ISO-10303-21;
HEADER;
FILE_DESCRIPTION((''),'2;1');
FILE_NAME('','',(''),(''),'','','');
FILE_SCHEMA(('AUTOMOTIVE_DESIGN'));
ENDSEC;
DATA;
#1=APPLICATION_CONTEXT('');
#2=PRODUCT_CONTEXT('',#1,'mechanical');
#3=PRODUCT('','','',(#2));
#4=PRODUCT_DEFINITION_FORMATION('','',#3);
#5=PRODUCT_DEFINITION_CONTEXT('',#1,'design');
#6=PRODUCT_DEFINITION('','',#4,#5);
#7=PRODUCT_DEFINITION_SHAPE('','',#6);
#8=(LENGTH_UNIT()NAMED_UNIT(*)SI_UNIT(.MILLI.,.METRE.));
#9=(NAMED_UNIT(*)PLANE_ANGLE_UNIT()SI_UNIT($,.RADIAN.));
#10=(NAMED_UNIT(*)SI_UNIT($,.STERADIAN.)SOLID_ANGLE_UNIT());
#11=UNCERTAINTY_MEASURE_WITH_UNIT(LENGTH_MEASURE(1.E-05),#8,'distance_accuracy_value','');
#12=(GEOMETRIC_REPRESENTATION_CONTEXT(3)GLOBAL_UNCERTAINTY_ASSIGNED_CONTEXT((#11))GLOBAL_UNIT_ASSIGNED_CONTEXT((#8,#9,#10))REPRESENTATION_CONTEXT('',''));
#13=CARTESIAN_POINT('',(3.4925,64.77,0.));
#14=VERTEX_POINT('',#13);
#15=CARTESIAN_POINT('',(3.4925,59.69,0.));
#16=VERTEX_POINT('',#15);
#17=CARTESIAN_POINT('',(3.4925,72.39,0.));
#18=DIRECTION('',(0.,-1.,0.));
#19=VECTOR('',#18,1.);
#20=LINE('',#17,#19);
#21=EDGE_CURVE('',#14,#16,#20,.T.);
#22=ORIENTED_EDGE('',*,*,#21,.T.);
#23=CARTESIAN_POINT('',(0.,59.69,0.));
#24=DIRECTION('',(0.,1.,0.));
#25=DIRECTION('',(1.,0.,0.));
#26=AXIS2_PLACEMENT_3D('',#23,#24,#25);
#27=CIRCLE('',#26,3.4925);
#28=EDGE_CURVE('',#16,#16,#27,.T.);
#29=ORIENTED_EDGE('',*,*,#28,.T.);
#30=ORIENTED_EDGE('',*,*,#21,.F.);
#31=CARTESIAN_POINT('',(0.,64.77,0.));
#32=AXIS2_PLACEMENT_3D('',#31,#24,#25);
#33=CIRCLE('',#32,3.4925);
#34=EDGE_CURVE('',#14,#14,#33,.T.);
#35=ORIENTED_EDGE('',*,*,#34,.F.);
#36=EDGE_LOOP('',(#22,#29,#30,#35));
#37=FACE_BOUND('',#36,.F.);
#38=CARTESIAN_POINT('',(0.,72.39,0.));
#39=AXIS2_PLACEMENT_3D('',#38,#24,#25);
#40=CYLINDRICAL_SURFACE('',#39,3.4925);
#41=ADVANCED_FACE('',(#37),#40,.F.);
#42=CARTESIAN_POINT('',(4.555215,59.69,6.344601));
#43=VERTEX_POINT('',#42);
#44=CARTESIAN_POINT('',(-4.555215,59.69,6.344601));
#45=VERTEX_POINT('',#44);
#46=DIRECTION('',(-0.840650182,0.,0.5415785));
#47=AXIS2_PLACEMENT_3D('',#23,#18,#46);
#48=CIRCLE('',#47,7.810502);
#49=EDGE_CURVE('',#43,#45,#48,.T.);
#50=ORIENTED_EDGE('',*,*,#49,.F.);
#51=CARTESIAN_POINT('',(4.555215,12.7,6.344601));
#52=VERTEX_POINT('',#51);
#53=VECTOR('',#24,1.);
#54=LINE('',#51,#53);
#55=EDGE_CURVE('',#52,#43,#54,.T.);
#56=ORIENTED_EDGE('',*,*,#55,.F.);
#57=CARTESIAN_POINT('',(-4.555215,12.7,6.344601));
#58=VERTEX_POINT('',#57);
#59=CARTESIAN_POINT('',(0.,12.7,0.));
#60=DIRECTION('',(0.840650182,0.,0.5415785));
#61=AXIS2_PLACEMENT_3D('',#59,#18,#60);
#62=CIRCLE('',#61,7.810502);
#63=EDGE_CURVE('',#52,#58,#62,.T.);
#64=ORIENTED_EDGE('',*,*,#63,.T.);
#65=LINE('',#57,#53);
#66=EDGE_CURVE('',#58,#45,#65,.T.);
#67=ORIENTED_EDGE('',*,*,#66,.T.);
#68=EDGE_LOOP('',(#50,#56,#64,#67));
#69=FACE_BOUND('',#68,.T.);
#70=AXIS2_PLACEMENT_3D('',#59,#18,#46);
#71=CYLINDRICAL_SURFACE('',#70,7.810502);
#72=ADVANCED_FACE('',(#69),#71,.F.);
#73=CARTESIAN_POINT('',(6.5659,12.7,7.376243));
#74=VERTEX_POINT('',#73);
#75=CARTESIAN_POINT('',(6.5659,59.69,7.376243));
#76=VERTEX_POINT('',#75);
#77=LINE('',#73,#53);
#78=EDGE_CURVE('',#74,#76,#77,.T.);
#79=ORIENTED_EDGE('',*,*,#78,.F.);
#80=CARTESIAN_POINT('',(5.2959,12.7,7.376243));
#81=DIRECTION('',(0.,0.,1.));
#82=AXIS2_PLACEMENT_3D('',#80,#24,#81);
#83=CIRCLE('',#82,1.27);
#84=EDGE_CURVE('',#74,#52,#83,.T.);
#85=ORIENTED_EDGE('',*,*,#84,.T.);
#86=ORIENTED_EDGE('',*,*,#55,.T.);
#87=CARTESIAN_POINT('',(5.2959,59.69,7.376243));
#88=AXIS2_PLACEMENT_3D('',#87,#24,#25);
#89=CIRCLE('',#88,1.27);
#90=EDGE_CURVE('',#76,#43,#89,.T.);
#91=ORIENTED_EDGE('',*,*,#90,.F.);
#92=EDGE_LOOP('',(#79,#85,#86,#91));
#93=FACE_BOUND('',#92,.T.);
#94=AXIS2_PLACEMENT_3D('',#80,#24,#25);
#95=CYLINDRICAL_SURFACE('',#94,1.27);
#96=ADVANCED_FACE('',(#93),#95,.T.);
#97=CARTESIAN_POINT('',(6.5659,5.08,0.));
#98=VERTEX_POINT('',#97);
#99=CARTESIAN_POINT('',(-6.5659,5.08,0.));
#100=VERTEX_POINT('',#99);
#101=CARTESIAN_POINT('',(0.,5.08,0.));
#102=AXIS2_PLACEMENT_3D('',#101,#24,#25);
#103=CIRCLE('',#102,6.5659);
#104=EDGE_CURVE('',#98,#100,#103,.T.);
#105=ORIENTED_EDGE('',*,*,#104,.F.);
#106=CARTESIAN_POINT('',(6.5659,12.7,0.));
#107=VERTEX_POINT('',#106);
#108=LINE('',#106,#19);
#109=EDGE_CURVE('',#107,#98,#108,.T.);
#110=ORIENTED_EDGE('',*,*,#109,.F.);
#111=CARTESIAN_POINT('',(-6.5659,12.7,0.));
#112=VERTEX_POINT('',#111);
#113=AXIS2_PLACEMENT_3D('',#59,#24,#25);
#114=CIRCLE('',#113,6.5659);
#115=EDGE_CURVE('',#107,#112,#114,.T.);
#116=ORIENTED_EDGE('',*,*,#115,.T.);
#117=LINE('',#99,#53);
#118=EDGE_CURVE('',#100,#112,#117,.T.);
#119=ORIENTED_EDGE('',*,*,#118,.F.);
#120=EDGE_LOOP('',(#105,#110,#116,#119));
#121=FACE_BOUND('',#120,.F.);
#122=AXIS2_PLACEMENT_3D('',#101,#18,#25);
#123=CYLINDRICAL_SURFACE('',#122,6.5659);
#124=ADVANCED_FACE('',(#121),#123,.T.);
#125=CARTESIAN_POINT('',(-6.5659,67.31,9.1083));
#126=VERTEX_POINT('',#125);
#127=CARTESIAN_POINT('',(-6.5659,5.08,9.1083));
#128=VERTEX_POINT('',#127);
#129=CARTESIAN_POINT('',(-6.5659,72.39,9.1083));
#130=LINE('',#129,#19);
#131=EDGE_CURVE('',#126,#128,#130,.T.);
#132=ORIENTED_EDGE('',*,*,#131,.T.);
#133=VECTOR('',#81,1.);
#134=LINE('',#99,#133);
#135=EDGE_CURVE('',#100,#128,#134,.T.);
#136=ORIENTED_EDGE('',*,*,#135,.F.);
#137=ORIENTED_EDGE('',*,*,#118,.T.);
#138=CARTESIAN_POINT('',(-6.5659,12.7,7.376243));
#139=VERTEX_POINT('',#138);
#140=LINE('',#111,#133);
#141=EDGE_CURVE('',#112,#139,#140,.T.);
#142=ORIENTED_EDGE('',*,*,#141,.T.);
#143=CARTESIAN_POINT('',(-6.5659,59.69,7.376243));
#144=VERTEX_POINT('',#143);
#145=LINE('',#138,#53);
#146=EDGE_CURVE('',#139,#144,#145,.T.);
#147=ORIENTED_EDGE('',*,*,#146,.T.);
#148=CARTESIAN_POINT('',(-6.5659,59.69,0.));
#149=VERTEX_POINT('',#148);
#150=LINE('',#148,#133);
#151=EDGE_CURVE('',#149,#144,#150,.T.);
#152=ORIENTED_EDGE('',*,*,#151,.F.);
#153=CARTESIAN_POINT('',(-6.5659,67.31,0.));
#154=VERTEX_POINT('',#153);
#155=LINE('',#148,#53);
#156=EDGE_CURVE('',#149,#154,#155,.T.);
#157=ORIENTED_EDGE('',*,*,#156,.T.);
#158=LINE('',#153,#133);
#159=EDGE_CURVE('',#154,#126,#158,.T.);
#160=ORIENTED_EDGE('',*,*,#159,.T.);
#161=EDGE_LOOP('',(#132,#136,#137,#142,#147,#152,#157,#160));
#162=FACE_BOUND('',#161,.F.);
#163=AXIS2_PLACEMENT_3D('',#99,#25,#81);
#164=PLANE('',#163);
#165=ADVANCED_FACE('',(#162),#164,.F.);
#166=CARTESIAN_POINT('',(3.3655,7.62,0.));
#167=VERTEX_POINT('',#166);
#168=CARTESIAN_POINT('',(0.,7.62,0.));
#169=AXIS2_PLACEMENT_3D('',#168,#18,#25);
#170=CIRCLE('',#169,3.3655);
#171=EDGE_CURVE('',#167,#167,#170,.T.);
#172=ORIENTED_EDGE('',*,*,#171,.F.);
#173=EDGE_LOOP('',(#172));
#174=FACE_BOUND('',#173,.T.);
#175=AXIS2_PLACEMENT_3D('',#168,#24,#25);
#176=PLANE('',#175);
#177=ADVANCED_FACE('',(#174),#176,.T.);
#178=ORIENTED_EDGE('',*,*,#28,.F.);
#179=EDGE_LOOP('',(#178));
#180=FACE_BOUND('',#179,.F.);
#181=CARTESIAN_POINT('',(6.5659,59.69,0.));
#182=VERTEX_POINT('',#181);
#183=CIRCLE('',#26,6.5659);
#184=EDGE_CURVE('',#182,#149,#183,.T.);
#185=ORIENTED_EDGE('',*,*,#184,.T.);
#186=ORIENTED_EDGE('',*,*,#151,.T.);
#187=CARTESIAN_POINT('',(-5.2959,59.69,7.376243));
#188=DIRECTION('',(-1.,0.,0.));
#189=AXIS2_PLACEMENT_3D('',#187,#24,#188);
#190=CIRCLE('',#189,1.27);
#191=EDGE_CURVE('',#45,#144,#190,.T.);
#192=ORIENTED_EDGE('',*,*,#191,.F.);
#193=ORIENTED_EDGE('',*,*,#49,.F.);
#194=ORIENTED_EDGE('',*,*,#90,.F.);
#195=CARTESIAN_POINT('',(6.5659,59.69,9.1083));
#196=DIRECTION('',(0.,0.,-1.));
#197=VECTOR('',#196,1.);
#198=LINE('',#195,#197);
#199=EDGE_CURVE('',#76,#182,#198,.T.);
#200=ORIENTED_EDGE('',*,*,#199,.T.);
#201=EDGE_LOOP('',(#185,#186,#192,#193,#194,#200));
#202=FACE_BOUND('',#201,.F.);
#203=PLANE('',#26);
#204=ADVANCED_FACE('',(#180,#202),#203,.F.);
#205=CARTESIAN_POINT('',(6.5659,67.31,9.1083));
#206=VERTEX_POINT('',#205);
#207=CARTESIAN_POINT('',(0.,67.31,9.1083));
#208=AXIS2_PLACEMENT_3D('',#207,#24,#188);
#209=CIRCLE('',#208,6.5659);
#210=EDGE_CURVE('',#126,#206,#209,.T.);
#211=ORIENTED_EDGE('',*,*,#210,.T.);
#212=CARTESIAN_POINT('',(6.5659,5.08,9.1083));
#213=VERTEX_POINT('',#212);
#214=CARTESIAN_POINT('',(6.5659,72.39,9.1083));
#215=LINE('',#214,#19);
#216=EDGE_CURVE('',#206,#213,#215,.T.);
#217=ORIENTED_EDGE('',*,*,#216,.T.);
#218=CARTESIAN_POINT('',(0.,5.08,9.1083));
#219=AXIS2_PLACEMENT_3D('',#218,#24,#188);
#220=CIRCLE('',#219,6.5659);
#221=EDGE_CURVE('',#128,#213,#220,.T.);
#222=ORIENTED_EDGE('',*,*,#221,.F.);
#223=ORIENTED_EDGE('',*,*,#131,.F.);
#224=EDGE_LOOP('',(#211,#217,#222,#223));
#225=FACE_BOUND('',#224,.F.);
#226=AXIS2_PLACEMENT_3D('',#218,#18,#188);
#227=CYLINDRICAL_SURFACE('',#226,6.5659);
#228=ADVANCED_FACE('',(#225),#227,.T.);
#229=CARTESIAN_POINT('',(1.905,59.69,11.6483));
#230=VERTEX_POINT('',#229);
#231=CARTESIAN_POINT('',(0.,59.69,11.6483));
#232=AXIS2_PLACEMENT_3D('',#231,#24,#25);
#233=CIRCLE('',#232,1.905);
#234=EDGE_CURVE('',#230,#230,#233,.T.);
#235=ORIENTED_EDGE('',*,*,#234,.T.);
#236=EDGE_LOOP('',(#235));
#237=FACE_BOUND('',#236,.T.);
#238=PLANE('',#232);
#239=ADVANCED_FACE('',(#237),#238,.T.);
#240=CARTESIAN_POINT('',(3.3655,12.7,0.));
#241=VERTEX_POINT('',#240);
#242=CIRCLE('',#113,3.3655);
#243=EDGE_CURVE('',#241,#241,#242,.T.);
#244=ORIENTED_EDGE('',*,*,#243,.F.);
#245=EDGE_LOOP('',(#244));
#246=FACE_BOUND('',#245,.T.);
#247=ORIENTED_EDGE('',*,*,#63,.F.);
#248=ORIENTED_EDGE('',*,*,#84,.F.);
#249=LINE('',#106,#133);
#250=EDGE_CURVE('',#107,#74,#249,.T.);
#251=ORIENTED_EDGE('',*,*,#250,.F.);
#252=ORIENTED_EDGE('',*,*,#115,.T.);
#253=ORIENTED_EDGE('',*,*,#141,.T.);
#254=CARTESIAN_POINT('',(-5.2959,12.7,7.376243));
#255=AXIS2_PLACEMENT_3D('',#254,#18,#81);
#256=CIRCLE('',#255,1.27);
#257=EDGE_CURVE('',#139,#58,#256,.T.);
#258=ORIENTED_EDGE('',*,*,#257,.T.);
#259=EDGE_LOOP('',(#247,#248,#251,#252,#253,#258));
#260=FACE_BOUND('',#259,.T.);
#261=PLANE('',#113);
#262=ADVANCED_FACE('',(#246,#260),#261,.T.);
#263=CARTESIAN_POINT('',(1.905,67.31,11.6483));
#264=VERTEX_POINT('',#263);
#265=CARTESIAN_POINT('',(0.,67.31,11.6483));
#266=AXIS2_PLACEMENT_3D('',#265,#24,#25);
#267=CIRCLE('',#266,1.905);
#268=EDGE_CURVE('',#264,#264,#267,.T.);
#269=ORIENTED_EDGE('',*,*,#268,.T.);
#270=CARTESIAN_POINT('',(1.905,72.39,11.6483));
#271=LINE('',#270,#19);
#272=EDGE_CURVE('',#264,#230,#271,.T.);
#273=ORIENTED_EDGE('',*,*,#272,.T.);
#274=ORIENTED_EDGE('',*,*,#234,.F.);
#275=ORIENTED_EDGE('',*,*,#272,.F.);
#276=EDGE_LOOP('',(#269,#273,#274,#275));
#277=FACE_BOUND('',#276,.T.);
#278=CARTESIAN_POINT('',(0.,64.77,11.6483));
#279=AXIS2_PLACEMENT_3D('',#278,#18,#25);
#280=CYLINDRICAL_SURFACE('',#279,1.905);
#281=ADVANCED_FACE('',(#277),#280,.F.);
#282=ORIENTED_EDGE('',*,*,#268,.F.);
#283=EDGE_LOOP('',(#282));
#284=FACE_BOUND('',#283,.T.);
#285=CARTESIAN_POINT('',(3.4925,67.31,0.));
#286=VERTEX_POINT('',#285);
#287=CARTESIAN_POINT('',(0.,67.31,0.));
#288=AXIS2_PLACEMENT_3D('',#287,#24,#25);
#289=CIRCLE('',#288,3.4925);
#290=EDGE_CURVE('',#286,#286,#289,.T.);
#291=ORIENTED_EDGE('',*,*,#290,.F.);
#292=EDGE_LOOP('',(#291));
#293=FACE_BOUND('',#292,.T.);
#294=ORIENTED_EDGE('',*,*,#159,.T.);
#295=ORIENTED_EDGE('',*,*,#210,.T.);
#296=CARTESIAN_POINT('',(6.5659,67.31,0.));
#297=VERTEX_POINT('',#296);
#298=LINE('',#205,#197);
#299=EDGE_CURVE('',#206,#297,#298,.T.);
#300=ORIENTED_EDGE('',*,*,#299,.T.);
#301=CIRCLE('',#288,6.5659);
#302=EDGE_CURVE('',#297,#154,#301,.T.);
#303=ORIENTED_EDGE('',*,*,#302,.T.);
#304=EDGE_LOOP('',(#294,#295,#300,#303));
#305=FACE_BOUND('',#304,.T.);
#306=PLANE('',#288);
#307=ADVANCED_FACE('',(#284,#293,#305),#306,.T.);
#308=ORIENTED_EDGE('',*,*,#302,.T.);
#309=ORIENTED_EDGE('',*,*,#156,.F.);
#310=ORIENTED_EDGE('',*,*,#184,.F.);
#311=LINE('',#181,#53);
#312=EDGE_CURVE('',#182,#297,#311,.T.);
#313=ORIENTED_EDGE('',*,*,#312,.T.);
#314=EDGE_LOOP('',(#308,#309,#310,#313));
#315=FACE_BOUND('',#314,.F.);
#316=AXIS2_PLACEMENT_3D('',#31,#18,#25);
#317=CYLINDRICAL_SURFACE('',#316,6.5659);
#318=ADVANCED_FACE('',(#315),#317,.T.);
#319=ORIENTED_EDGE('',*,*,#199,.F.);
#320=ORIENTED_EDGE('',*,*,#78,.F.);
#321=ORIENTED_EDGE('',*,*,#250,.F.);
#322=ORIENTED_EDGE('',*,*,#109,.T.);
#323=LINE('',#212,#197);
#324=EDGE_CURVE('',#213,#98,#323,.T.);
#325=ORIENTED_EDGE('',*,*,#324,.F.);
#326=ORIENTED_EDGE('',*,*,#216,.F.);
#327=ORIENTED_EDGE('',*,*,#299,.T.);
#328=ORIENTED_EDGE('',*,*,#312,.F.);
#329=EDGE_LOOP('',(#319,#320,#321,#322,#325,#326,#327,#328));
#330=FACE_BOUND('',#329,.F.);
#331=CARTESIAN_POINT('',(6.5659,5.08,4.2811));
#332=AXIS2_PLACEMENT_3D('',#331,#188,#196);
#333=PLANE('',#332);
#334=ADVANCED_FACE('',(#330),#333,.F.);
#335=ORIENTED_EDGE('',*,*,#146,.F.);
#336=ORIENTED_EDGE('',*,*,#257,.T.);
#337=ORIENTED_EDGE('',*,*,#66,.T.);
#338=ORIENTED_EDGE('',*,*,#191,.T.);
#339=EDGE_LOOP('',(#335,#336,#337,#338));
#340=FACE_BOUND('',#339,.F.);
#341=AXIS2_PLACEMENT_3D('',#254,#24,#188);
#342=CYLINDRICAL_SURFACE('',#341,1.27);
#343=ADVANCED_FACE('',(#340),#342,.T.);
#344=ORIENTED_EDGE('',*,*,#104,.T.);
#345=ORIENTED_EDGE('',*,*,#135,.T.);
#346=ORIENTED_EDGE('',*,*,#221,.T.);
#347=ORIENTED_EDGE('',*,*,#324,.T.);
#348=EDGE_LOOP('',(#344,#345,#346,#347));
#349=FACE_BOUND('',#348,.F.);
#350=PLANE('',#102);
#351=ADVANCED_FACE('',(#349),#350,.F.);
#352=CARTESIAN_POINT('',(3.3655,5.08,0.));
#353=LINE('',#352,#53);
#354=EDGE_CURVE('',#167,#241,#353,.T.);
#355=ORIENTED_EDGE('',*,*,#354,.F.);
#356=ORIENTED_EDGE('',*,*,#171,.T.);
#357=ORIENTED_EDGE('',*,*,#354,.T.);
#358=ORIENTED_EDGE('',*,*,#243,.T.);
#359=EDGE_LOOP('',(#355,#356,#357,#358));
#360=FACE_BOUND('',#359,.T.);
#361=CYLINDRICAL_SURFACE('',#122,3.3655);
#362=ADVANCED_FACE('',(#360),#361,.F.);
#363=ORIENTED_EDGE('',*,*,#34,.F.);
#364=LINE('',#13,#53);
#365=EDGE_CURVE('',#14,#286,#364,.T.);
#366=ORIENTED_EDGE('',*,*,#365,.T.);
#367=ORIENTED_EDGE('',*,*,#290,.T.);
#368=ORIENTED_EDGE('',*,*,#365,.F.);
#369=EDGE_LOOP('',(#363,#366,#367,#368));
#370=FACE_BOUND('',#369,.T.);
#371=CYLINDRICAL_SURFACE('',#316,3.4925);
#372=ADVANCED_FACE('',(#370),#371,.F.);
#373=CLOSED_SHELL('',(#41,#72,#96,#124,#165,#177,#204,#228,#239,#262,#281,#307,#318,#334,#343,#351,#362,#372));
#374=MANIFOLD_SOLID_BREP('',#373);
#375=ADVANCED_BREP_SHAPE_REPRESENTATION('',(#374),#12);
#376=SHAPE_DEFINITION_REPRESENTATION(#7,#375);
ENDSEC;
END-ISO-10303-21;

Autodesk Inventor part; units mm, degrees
ref_plane "YZ Plane" through (0, 0, 0) normal (1, 0, 0) x (0, 1, 0)
ref_plane "XZ Plane" through (0, 0, 0) normal (0, 1, 0) x (-1, 0, 0)
ref_plane "Work Plane7" through (0, 5.08, 0) normal (0, 1, 0) x (1, 0, 0)
sketch "Sketch3" plane through (0, 5.08, 0) normal (0, 1, 0) x (1, 0, 0)
  circle A0 centre (0, 0) radius 6.5659 projected
  circle A1 centre (0, 0) radius 3.3655 projected
  line L0 (-6.5659, 0) -> (-6.5659, -6.5683)
  line L1 (-6.5659, -6.5683) -> (6.5659, -6.5683)
  line L2 (6.5659, -6.5683) -> (6.5659, 0)
  line L3 (0, -6.5683) -> (0, -9.1083)
  line L4 (0, 0) -> (0, -9.1083) construction
  line L5 (6.5659, 0) -> (6.5659, -9.1083)
  line L6 (-6.5659, -9.1083) -> (-6.5659, 0)
  arc A2 (6.5659, 0) -> (-6.5659, 0) centre (0, 0) ccw
  arc A3 (-6.5659, -9.1083) -> (6.5659, -9.1083) centre (0, -9.1083) ccw
  line L7 (0, -6.5683) -> (0, -7.8383)
  arc A4 (-6.5659, -4.2811) -> (6.5659, -4.2811) centre (0, 0) ccw
  point P0 (0, -4.5541)
  dimension "d19" = 2.54
  dimension "d20" = 1.27
extrude "Extrusion5" add sketch "Sketch3" along normal blind 2.54 contours A0 | L2 A4 L1 L0 A0 | L2 L1 A4 | A4 L1 L0 | L5 A3 L6 L1 A4 | A4 L3 L1 | L1 L3 A4 | A1
extrude "Extrusion6" add sketch "Sketch3" along normal blind 7.62
sketch "Sketch4" plane through (0, 12.7, 0) normal (0, 1, 0) x (1, 0, 0)
  line L0 (-6.5659, 0) -> (-6.5659, -9.1083) projected
  arc A0 (-6.5659, -9.1083) -> (6.5659, -9.1083) centre (0, -9.1083) ccw projected
  line L1 (6.5659, -9.1083) -> (6.5659, 0) projected
  arc A1 (6.5659, 0) -> (-6.5659, 0) centre (0, 0) ccw projected
  circle A2 centre (0, 0) radius 3.3655 projected
  line L2 (0, -3.3655) -> (0, -7.1755)
  line L3 (0, -7.1755) -> (6.5659, -7.1755)
  line L4 (0, -7.1755) -> (-6.5659, -7.1755)
  arc A3 (-6.5659, -2.8943) -> (6.5659, -2.8943) centre (0, 0) ccw
  line L5 (0, -9.1083) -> (0, -7.1755)
  line L6 (0, -7.1755) -> (0, -7.8105)
  arc A4 (-6.5659, -4.23) -> (6.5659, -4.23) centre (0, 0) ccw
  dimension "d25" = 3.81
  dimension "d27" = 0.635
extrude "Extrusion7" add sketch "Sketch4" along normal blind 52.07 contours A4 L4 L0 | L4 A4 L3 L1 A0 L0 | A4 L1 L3
fillet "Fillet1" radius 1.27 2 edges at (6.5659, 38.735, 4.23) (-6.5659, 38.735, 4.23)
sketch "Sketch5" plane through (0, 64.77, 0) normal (0, 1, 0) x (1, 0, 0)
  arc A0 (-4.5552, -6.3446) -> (-6.5659, -7.3762) centre (-5.2959, -7.3762) ccw projected
  line L0 (-6.5659, -7.3762) -> (-6.5659, -9.1083) projected
  arc A1 (-6.5659, -9.1083) -> (6.5659, -9.1083) centre (0, -9.1083) ccw projected
  line L1 (6.5659, -9.1083) -> (6.5659, -7.3762) projected
  arc A2 (6.5659, -7.3762) -> (4.5552, -6.3446) centre (5.2959, -7.3762) ccw projected
  arc A3 (-4.5552, -6.3446) -> (4.5552, -6.3446) centre (0, 0) ccw projected
  arc A4 (-4.5552, -6.3446) -> (4.5552, -6.3446) centre (0, 0) ccw projected
  arc A5 (6.5659, -7.3762) -> (4.5552, -6.3446) centre (5.2959, -7.3762) ccw projected
  line L2 (6.5659, -7.3762) -> (6.5659, 0) projected
  arc A6 (6.5659, 0) -> (-6.5659, 0) centre (0, 0) ccw projected
  line L3 (-6.5659, 0) -> (-6.5659, -7.3762) projected
  arc A7 (-4.5552, -6.3446) -> (-6.5659, -7.3762) centre (-5.2959, -7.3762) ccw projected
  circle A8 centre (0, 0) radius 3.3655 projected
  circle A9 centre (0, 0) radius 3.4925
  line L4 (0, -9.1083) -> (0, -11.0133)
  line L5 (5.2959, -7.3762) -> (0, -11.0133)
  line L6 (-5.2959, -7.3762) -> (0, -11.0133)
  line L7 (0, -11.0133) -> (0, -11.6483)
  circle A10 centre (0, -11.6483) radius 1.905
  point P0 (6.5659, -7.3762)
  dimension "d31" = 6.985
  dimension "d32" = 1.905
  dimension "d34" = 0.635
  dimension "d35" = 3.81
extrude "Extrusion8" add sketch "Sketch5" along normal blind 7.62 contours A3 A2 L1 A1 L0 A0 | A0 L3 A6 L2 A2 A3
extrude "Extrusion9" cut sketch "Sketch5" against normal blind 7.62 contours A10 L5 L4 | L4 L6 A10 | L5 A10 L6
sketch "Sketch6" plane through (0, 72.39, 0) normal (0, 1, 0) x (1, 0, 0)
  arc A0 (6.5659, 0) -> (-6.5659, 0) centre (0, 0) ccw projected
  line L0 (-6.5659, 0) -> (-6.5659, -9.1083) projected
  arc A1 (-6.5659, -9.1083) -> (6.5659, -9.1083) centre (0, -9.1083) ccw projected
  line L1 (6.5659, -9.1083) -> (6.5659, 0) projected
  circle A2 centre (0, -11.6483) radius 1.905 projected
  circle A3 centre (0, 0) radius 3.4925 projected
extrude "Extrusion10" add sketch "Sketch6" against normal blind 12.7
extrude "Extrusion11" cut sketch "Sketch6" against normal blind 5.08
sketch "Sketch7" plane through (0, 57.15, 11.6483) normal (0, 1, 0) x (1, 0, 0)
  circle A0 centre (0, 0) radius 1.905 projected
  point P0 (0, 11.6483)
extrude "Extrusion12" add sketch "Sketch7" along normal blind 2.54
properties part number "Odometer_Test_Bracket"
